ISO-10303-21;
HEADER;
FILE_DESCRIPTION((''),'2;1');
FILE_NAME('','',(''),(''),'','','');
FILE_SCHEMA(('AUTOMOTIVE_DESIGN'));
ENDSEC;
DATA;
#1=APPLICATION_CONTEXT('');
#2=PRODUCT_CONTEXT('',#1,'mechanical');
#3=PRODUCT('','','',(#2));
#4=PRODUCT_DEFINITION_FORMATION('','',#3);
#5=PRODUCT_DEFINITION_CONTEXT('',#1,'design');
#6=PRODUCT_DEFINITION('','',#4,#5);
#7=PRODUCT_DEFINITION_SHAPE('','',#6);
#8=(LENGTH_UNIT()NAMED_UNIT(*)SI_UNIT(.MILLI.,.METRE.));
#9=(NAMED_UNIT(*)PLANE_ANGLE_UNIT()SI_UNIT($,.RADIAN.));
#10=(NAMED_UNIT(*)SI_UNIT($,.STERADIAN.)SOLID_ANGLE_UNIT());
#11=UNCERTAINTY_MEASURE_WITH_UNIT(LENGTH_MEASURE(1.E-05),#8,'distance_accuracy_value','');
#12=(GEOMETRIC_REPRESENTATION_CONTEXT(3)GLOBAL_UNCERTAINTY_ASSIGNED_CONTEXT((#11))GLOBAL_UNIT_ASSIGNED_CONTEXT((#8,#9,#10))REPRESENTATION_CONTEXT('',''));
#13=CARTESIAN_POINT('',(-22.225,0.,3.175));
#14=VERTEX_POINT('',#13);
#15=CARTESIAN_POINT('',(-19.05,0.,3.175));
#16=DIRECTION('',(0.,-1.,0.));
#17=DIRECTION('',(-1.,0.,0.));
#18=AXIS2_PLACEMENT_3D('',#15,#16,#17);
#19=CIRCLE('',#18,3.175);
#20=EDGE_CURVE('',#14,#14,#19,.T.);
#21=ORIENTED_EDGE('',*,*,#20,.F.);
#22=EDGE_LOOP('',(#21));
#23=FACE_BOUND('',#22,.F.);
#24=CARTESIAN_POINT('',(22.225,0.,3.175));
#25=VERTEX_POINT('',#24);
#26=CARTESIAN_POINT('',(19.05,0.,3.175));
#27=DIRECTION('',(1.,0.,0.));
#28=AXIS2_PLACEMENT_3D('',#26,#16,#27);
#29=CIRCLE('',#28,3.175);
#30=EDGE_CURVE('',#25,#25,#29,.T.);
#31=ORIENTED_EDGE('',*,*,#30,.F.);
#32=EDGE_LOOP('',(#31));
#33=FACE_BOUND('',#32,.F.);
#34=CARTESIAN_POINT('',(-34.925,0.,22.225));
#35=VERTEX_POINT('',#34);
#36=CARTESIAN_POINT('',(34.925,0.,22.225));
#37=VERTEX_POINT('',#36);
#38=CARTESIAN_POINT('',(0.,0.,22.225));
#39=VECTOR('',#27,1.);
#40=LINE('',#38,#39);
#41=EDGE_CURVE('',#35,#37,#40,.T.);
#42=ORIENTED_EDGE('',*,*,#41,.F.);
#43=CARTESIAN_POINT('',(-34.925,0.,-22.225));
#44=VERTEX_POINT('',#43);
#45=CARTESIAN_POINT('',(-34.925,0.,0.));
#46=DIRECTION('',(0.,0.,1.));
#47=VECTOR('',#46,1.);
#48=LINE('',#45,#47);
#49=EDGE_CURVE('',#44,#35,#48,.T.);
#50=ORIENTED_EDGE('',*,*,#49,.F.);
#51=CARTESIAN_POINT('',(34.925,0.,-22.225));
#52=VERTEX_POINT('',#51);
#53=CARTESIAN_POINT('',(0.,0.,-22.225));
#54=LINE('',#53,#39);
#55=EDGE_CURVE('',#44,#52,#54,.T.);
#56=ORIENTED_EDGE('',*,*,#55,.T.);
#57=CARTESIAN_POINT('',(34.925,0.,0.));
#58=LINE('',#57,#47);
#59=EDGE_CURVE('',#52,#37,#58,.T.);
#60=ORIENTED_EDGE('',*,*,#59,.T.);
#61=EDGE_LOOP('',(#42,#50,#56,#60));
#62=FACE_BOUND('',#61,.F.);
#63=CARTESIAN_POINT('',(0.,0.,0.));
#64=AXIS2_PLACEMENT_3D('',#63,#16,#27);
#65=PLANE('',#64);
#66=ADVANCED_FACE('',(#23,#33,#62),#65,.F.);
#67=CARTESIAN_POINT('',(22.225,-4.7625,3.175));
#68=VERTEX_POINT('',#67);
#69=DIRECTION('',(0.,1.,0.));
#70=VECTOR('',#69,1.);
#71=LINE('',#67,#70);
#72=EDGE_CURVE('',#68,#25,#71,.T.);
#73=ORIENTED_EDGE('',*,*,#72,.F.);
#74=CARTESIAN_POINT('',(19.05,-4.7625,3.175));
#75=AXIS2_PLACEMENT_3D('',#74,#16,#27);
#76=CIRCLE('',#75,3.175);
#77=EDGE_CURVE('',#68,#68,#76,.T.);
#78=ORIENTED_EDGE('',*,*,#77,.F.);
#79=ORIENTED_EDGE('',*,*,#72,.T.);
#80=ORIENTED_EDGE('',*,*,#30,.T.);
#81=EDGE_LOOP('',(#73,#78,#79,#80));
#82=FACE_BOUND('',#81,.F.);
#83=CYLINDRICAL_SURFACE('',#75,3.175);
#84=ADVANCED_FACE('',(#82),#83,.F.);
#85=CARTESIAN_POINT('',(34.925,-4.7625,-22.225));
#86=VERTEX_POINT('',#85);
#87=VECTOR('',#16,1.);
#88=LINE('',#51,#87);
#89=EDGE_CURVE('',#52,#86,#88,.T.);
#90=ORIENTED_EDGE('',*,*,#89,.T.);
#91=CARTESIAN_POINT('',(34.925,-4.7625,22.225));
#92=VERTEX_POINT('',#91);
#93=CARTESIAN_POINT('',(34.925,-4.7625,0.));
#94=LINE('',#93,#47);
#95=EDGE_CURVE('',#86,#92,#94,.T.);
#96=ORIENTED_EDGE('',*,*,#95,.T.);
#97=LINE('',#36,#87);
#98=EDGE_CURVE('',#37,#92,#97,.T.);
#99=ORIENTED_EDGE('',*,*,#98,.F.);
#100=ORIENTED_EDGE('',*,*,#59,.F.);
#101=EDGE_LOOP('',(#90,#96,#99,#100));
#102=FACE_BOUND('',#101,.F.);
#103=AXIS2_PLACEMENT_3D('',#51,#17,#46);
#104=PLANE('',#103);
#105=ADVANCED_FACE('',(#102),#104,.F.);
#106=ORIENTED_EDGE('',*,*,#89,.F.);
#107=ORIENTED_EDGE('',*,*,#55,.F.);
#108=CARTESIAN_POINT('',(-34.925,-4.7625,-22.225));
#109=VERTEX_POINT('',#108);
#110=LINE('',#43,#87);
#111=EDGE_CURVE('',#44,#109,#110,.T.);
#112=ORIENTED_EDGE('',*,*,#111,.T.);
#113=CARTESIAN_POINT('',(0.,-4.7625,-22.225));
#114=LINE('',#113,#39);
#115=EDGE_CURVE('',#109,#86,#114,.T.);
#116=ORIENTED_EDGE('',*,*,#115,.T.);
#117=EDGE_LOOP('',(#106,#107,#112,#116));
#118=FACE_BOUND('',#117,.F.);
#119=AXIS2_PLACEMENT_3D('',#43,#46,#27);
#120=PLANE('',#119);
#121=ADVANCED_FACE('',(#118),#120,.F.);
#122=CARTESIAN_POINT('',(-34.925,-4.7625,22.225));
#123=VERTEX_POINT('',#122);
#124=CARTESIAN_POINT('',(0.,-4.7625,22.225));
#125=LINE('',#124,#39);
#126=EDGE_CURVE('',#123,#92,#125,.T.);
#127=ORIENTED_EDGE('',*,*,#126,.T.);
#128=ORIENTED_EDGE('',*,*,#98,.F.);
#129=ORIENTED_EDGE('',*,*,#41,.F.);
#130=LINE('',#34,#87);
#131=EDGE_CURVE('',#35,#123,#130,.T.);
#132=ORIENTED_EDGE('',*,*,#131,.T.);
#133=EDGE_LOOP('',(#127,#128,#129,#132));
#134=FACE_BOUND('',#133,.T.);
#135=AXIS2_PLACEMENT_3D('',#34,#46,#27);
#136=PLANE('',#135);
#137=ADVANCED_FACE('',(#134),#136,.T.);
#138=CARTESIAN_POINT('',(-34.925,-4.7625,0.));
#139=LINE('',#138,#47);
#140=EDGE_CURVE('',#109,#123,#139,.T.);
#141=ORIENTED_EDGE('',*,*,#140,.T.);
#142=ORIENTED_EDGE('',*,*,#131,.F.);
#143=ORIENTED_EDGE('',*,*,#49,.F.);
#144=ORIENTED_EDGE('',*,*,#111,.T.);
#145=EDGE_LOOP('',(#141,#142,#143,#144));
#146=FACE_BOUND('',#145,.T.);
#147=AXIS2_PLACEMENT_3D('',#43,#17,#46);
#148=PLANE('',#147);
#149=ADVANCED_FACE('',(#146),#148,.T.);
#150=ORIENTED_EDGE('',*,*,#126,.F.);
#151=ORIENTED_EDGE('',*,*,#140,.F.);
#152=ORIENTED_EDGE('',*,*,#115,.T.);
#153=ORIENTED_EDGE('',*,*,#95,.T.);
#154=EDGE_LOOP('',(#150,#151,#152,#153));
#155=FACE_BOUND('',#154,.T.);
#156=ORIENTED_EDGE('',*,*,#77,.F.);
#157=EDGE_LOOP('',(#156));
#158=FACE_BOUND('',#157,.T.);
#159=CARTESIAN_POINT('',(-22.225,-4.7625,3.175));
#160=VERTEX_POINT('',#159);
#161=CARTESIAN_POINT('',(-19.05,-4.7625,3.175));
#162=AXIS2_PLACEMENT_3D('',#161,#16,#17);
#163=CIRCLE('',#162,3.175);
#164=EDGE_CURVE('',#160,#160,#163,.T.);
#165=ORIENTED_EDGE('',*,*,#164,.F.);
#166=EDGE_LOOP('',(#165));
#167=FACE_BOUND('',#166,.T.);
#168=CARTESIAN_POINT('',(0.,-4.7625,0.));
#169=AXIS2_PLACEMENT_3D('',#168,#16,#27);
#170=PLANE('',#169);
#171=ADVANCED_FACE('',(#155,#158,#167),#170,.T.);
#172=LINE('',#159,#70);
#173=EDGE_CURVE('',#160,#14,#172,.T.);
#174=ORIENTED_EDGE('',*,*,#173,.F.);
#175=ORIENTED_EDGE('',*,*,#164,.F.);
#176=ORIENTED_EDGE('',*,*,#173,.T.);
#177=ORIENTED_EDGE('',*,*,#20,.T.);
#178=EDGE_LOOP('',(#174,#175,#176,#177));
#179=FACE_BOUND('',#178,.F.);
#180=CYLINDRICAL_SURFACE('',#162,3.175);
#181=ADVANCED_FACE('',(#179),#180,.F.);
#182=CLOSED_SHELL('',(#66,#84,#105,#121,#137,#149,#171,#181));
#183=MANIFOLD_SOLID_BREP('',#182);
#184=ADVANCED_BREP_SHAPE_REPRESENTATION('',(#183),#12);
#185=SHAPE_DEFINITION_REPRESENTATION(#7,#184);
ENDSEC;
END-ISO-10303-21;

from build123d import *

# Parameters (mm, degrees)
F0_W     = 69.85
F0_H     = 44.45
F1_DEPTH = 4.7625
F2_R     = 3.175
F3_DEPTH = 25.4


with BuildPart() as f1:
    # F0 (on Front) → F1 (new body)
    with BuildSketch(Plane.XZ):
        Rectangle(F0_W, F0_H)
    extrude(amount=F1_DEPTH)

    # F2 (on face) → F3 (cut)
    with BuildSketch(Plane.XZ.offset(4.7625)):
        with BuildLine():
            ThreePointArc((-15.875, 3.175), (-19.05, 6.35), (-22.225, 3.175))
            ThreePointArc((-22.225, 3.175), (-19.05, 0), (-15.875, 3.175))
        make_face()
        with Locations((19.05, 3.175)):
            Circle(F2_R)
    extrude(amount=-F3_DEPTH, mode=Mode.SUBTRACT)


solid = f1.part
